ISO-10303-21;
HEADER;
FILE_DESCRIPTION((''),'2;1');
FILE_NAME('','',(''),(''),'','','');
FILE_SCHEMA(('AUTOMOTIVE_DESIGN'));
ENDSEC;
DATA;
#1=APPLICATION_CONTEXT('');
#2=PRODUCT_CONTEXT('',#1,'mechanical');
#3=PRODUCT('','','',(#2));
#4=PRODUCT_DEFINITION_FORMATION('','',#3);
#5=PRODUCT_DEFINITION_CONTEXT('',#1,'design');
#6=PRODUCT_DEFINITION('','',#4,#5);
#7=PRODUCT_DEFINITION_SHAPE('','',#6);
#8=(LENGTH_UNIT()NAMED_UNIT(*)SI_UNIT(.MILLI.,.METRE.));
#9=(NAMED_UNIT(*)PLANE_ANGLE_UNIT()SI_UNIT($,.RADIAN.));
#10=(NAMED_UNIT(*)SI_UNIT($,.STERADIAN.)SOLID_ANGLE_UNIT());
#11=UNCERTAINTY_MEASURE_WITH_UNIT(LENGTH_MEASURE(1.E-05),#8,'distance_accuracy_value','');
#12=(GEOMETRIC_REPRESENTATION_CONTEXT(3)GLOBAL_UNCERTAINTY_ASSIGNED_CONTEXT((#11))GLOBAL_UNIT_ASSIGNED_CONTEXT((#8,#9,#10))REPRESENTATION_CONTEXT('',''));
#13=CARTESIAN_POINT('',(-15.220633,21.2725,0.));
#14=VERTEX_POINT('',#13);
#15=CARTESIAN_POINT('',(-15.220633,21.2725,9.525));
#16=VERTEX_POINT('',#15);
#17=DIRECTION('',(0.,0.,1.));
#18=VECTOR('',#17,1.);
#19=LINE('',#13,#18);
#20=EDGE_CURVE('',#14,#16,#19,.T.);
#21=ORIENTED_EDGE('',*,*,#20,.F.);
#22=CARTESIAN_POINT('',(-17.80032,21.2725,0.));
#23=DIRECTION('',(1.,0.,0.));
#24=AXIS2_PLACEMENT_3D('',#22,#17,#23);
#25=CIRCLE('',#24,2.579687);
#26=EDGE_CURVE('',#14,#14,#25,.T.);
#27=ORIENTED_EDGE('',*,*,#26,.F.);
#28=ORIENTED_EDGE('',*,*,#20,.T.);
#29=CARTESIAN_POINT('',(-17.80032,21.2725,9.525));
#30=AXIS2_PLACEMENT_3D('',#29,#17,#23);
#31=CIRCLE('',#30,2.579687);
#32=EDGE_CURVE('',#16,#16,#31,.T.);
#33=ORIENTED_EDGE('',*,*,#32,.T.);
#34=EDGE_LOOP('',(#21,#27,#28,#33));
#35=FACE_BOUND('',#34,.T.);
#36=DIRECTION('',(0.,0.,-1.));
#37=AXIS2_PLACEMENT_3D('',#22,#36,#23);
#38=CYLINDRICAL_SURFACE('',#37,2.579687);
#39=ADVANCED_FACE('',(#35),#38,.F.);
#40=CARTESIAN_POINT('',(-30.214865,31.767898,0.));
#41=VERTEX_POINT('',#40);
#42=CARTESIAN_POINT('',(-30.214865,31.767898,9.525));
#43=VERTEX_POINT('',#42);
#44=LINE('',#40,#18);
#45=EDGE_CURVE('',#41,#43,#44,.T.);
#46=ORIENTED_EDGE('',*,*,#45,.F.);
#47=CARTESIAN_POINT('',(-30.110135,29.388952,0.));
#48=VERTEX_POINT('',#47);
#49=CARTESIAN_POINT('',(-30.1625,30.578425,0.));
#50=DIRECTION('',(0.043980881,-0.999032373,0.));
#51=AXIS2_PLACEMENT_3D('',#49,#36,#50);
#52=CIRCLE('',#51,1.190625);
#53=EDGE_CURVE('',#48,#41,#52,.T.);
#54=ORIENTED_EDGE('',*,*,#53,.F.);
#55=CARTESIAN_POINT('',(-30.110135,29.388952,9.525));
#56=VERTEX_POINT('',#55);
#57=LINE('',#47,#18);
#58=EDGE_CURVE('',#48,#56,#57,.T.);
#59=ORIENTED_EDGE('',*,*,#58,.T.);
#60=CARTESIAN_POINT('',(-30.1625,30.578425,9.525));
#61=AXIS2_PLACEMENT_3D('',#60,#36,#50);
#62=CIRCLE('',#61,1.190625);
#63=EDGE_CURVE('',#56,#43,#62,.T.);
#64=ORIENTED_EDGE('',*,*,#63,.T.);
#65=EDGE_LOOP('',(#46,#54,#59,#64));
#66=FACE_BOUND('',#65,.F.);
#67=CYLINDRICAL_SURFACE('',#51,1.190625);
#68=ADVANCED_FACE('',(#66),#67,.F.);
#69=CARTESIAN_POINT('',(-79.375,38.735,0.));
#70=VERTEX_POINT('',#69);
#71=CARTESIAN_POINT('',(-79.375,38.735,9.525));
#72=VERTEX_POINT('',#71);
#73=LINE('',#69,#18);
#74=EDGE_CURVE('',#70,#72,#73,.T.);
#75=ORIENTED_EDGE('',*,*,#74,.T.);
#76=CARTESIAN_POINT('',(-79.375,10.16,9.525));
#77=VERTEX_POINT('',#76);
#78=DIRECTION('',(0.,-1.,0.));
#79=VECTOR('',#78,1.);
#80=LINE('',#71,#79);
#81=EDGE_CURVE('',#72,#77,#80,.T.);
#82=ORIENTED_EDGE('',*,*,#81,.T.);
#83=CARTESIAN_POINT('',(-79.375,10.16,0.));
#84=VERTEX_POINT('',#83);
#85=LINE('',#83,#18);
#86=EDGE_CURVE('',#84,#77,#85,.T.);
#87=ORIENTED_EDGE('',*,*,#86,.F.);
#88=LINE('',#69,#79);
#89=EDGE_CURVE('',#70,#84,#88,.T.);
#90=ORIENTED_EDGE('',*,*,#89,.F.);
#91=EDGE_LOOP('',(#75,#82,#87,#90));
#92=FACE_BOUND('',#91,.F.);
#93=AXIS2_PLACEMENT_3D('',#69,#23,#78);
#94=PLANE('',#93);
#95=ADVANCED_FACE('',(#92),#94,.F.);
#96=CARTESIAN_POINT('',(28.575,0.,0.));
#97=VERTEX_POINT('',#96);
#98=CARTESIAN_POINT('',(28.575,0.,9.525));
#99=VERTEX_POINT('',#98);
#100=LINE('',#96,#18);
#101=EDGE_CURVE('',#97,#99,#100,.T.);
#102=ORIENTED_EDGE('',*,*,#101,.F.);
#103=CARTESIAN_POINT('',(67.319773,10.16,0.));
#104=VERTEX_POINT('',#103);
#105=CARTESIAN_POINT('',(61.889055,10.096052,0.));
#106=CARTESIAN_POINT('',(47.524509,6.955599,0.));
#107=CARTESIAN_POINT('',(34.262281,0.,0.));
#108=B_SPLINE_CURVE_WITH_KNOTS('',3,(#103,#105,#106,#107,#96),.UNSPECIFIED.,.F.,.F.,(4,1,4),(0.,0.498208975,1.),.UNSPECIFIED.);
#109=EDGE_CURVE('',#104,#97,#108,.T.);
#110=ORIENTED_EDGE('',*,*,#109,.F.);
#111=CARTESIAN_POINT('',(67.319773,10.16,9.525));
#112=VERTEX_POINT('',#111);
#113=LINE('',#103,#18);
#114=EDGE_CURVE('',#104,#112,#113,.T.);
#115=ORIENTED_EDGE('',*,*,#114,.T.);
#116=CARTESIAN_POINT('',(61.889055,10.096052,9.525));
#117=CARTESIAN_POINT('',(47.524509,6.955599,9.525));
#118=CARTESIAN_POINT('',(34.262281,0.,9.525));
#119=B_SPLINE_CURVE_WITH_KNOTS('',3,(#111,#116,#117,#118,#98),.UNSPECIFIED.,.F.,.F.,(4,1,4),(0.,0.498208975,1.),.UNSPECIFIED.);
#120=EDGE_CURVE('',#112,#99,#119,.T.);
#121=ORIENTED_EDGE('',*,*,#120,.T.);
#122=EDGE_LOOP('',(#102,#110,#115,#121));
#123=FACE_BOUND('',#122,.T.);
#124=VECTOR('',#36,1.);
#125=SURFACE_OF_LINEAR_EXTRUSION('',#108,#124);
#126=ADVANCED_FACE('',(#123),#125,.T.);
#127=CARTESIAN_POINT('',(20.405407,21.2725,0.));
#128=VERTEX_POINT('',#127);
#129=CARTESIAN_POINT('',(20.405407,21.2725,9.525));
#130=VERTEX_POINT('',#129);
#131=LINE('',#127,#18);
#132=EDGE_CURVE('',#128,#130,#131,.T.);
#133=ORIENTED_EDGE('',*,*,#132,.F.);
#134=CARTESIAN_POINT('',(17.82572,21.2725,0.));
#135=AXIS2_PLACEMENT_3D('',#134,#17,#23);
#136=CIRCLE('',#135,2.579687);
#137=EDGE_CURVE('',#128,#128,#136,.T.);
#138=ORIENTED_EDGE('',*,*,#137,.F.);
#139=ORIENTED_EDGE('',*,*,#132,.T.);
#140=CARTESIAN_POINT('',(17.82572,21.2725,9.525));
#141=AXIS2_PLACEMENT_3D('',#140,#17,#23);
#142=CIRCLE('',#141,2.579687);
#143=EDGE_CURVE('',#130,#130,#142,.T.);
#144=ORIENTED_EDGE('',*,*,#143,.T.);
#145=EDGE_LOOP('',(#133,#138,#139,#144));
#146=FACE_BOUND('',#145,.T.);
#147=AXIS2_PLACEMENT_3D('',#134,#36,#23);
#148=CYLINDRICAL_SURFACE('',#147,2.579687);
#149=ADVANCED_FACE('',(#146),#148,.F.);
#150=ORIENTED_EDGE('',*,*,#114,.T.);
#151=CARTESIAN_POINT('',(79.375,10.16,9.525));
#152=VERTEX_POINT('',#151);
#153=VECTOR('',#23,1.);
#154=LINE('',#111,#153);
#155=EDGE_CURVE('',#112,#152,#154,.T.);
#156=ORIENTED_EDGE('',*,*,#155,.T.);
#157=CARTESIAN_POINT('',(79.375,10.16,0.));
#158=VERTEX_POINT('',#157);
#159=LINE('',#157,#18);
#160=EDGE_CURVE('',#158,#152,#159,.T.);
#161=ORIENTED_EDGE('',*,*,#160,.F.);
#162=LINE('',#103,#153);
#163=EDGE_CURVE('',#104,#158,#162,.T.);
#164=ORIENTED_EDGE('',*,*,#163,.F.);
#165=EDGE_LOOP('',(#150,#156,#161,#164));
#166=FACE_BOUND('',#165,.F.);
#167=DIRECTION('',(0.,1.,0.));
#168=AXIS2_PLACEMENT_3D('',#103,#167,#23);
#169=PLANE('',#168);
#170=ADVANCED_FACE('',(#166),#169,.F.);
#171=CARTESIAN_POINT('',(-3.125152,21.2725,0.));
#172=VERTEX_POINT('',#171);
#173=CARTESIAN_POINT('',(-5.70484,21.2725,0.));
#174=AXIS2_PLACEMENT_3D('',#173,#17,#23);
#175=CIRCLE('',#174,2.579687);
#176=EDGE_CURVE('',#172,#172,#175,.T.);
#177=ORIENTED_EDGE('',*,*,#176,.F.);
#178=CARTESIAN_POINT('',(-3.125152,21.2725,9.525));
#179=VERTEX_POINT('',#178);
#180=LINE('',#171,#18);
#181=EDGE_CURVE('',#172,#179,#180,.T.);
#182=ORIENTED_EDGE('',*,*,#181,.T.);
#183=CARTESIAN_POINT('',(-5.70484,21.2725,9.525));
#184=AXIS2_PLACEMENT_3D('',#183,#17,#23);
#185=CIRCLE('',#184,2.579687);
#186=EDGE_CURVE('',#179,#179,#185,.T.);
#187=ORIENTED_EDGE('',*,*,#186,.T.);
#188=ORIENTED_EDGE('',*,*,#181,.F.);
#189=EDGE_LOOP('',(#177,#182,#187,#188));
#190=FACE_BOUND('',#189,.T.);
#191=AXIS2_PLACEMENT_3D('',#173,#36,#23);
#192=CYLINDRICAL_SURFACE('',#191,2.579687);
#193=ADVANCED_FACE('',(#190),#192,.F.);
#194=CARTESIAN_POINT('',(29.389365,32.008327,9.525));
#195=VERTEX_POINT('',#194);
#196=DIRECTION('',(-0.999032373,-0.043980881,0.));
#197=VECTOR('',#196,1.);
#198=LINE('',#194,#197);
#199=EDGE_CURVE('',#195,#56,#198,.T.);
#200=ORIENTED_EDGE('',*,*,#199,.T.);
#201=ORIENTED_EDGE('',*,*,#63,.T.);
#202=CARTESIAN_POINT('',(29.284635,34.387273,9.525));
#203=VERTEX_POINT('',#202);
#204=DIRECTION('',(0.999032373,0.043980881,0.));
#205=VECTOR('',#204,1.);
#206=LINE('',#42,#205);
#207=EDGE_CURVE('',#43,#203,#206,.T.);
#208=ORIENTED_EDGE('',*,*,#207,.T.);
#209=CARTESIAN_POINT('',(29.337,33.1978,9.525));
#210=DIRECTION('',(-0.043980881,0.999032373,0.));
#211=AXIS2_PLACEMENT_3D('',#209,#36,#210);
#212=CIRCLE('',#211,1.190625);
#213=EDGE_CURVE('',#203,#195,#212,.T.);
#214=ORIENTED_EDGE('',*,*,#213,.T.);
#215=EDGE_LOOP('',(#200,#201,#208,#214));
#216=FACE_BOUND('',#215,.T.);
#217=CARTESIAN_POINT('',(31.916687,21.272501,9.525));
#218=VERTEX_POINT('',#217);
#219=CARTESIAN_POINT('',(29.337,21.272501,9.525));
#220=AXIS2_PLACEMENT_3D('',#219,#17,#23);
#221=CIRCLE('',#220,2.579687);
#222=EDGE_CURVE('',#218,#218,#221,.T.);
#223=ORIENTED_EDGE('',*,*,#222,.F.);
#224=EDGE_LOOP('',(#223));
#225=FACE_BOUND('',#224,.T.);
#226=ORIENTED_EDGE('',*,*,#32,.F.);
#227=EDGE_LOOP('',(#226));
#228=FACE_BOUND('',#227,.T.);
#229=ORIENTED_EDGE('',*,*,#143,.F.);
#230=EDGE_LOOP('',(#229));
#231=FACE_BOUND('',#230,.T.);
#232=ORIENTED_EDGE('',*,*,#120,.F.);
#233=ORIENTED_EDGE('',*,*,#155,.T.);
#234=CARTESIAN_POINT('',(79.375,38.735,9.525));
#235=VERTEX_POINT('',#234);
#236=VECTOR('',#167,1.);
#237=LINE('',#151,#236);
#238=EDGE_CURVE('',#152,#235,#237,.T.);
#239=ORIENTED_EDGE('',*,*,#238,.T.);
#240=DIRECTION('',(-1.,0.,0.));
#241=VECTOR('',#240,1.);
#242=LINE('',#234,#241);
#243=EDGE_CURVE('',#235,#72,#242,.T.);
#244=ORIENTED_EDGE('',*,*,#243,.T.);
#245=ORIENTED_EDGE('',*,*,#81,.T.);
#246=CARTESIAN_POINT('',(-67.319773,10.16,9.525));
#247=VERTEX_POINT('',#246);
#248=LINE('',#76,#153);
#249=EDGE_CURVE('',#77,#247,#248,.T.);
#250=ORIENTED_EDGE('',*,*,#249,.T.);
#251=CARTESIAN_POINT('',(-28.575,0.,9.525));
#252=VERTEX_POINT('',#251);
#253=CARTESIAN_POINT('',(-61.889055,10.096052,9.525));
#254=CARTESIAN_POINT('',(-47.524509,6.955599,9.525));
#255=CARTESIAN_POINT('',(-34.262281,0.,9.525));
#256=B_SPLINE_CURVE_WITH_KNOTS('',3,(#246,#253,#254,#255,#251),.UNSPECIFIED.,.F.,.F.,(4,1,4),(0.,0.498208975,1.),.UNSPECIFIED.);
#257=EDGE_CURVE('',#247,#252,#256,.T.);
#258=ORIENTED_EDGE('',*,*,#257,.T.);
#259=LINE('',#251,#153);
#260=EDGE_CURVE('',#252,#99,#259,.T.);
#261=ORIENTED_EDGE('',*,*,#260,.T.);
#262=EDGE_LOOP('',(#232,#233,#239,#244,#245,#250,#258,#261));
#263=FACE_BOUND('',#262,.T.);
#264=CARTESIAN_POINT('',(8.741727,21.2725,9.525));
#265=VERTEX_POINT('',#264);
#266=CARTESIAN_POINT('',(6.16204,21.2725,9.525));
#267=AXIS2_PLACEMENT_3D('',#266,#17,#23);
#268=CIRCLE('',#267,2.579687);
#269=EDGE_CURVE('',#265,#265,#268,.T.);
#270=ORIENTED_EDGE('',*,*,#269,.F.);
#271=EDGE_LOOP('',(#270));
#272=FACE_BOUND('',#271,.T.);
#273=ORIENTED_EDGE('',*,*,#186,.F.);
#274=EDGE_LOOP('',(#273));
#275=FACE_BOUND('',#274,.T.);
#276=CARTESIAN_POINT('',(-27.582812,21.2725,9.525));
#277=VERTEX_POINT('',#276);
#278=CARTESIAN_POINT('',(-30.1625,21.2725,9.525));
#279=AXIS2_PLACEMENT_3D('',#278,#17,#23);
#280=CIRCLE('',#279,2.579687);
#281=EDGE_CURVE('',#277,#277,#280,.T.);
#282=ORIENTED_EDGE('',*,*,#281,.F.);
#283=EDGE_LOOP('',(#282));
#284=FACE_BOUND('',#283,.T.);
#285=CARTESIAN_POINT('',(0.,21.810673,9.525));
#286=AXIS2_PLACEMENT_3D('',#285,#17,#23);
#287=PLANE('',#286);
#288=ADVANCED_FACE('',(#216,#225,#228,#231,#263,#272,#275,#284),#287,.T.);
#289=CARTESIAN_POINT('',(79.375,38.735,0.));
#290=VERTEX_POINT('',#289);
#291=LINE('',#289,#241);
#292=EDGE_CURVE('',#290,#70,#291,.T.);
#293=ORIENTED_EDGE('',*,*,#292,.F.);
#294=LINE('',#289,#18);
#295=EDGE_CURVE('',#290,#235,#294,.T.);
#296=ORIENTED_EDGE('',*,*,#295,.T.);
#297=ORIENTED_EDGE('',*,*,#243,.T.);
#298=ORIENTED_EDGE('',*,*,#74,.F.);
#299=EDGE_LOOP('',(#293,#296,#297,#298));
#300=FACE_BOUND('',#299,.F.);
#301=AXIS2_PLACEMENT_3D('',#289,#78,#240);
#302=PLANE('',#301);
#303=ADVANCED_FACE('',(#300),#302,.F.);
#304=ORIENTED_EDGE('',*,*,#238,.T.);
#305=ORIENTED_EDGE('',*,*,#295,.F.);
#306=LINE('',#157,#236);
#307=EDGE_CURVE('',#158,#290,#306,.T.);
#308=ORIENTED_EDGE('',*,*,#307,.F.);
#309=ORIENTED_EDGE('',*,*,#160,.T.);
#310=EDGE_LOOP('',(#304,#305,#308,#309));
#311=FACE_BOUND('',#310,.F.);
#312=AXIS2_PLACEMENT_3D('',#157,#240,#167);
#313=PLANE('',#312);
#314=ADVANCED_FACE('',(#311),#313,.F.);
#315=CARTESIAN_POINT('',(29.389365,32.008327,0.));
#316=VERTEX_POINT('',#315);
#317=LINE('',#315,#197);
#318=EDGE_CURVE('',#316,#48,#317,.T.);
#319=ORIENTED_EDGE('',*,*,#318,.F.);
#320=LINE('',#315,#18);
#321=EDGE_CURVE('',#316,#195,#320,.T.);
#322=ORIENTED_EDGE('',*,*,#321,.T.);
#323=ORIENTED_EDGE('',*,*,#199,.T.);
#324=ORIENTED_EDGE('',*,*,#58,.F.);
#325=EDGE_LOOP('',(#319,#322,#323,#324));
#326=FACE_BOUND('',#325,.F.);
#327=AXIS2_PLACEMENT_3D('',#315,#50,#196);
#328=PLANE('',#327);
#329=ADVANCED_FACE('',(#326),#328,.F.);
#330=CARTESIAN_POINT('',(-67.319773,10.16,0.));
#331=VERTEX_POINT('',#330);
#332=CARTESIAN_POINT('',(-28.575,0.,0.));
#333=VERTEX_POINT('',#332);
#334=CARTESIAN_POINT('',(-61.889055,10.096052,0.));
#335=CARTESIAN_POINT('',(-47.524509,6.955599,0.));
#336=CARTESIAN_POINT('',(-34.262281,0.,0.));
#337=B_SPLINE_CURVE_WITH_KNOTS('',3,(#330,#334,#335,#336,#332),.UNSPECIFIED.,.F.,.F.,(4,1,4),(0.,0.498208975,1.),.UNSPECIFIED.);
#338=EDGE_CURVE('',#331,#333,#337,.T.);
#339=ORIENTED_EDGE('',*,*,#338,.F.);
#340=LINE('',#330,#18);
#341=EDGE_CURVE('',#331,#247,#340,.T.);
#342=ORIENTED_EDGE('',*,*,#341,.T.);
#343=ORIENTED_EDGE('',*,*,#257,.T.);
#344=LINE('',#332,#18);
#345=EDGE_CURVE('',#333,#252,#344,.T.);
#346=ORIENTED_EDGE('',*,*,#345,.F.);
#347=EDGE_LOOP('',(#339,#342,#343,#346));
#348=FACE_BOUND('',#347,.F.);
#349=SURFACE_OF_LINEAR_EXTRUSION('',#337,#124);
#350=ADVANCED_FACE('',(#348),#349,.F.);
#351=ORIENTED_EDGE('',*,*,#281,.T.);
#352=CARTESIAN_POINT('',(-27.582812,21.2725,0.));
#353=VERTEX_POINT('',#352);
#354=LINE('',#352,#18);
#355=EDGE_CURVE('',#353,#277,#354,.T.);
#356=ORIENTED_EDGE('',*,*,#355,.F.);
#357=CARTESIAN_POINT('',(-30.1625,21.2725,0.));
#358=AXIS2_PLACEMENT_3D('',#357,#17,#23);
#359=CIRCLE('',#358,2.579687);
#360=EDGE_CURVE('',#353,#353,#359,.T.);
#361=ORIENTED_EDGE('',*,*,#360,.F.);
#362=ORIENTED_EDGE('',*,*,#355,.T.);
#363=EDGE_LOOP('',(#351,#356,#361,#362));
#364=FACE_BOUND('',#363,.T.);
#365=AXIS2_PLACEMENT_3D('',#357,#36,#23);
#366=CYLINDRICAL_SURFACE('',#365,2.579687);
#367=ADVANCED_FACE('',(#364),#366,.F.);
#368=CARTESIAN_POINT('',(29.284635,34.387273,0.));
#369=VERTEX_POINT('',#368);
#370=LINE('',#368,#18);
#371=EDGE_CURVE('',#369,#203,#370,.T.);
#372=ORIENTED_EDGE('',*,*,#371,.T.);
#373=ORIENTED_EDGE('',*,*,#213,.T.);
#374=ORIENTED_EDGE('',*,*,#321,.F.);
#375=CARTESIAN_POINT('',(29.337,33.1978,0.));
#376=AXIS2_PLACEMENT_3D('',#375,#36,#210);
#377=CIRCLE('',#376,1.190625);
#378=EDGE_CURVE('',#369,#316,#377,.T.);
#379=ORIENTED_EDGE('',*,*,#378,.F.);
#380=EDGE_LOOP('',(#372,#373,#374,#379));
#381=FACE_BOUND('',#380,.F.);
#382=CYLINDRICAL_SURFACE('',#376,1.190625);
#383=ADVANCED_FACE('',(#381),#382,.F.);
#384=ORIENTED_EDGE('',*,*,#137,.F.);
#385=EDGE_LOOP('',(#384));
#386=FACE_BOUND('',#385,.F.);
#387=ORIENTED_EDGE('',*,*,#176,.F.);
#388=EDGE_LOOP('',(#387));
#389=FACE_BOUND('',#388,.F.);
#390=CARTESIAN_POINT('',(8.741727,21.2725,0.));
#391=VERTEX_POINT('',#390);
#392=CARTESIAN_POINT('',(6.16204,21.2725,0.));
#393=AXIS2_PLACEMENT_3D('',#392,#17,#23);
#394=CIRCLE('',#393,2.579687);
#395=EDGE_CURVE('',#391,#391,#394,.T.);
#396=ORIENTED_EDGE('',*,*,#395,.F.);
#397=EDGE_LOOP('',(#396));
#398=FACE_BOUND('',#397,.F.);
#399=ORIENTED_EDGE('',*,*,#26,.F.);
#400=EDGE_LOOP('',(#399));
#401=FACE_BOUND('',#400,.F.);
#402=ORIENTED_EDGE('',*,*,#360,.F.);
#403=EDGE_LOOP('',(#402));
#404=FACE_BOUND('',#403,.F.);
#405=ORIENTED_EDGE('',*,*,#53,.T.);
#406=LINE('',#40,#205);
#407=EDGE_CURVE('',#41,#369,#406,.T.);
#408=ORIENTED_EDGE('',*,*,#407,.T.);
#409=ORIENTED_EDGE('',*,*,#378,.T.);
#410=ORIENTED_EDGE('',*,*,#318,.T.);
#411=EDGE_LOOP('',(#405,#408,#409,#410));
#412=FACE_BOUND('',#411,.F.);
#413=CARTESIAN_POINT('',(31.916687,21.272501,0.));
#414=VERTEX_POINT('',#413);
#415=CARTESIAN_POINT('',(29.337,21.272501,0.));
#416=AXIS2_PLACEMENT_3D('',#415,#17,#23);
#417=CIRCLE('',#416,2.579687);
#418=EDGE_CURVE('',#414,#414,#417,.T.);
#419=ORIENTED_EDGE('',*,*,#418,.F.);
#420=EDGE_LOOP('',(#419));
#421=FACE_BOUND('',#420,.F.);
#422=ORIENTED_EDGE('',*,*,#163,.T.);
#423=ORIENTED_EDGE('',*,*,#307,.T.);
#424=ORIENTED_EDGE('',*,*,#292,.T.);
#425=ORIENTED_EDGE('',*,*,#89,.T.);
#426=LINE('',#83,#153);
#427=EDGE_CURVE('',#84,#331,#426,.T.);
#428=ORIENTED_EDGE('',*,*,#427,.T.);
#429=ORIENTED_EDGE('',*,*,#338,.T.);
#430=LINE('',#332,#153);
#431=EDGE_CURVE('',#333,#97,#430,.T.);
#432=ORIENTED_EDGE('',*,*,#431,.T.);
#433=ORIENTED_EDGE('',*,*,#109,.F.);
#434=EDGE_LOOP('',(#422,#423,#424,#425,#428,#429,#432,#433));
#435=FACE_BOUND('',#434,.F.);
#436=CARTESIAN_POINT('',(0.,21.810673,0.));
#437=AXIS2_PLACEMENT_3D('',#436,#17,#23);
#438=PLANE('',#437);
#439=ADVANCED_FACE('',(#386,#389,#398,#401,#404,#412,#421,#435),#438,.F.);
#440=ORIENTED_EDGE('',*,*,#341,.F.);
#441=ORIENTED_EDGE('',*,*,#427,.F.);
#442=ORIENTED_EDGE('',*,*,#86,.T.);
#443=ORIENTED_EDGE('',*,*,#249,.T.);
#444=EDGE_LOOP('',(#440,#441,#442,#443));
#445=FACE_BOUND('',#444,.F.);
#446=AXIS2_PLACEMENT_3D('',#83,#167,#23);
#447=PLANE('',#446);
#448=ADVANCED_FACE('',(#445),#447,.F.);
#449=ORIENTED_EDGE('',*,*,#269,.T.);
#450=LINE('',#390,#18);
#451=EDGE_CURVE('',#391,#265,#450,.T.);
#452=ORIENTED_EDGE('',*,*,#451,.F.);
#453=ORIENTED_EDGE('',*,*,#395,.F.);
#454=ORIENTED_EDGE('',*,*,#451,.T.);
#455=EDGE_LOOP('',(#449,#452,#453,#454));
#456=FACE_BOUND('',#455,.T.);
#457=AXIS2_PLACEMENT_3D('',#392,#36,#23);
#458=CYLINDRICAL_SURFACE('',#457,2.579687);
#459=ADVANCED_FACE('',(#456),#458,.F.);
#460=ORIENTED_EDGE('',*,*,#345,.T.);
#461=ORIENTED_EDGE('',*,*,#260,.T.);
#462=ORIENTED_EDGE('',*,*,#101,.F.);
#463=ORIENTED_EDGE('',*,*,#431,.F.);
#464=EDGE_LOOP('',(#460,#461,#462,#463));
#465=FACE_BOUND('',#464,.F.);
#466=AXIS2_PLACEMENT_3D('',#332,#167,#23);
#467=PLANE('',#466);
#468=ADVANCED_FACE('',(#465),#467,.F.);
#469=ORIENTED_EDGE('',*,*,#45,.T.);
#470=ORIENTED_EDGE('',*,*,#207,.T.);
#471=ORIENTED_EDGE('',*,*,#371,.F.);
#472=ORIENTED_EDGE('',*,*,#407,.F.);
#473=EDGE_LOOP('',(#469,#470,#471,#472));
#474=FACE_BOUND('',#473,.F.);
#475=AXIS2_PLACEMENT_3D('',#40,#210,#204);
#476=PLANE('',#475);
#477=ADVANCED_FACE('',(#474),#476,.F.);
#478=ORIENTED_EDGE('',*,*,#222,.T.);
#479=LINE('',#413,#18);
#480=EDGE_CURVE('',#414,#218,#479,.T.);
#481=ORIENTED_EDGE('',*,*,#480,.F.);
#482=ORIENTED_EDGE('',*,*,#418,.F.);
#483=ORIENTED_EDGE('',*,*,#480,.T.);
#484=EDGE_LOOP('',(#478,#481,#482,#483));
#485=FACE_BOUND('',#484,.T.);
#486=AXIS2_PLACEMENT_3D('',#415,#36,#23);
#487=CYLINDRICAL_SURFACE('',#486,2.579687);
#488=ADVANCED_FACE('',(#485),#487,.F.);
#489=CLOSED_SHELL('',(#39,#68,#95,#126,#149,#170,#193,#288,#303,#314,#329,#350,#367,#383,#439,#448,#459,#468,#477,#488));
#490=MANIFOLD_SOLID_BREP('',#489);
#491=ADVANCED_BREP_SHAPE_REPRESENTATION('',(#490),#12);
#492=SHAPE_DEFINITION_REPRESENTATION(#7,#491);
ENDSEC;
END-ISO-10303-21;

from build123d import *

# Parameters (mm, degrees)
F0_R     = 2.5796875
F1_DEPTH = 9.525


with BuildPart() as f1:
    # F0 (on Top) → F1 (new body)
    with BuildSketch(Plane.XY):
        with BuildLine():
            Line((79.375, 38.735), (0, 38.735))
            Line((0, 38.735), (-79.375, 38.735))
            Line((-79.375, 38.735), (-79.375, 10.16))
            Line((-79.375, 10.16), (-67.3197734616, 10.16))
            add(Edge.make_bspline(
                [(-67.3197734616, 10.16), (-61.8890552621, 10.096051957), (-47.5245088241, 6.9555987239), (-34.2622809842, 0), (-28.575, 0)],
                knots=[0, 0, 0, 0, 0.4982089749, 1, 1, 1, 1], degree=3))
            Line((-28.575, 0), (0, 0))
            Line((0, 0), (28.575, 0))
            add(Edge.make_bspline(
                [(67.3197734616, 10.16), (61.8890552621, 10.096051957), (47.5245088241, 6.9555987239), (34.2622809842, 0), (28.575, 0)],
                knots=[0, 0, 0, 0, 0.4982089749, 1, 1, 1, 1], degree=3))
            Line((67.3197734616, 10.16), (79.375, 10.16))
            Line((79.375, 10.16), (79.375, 38.735))
        make_face()
        with Locations((-30.1625, 21.2725)):
            Circle(F0_R, mode=Mode.SUBTRACT)
        with Locations((-17.80032, 21.2725)):
            Circle(F0_R, mode=Mode.SUBTRACT)
        with Locations((-5.70484, 21.2725)):
            Circle(F0_R, mode=Mode.SUBTRACT)
        with BuildLine():
            ThreePointArc((-30.1101352637, 29.388952081), (-31.351972919, 30.5260602637), (-30.2148647363, 31.767897919))
            Line((-30.2148647363, 31.767897919), (29.2846352637, 34.387272919))
            ThreePointArc((29.2846352637, 34.387272919), (30.526472919, 33.2501647363), (29.3893647363, 32.008327081))
            Line((29.3893647363, 32.008327081), (-30.1101352637, 29.388952081))
        make_face(mode=Mode.SUBTRACT)
        with Locations((6.16204, 21.2725)):
            Circle(F0_R, mode=Mode.SUBTRACT)
        with Locations((17.82572, 21.2725)):
            Circle(F0_R, mode=Mode.SUBTRACT)
        with Locations((29.337, 21.2725014065)):
            Circle(F0_R, mode=Mode.SUBTRACT)
    extrude(amount=F1_DEPTH)


solid = f1.part
